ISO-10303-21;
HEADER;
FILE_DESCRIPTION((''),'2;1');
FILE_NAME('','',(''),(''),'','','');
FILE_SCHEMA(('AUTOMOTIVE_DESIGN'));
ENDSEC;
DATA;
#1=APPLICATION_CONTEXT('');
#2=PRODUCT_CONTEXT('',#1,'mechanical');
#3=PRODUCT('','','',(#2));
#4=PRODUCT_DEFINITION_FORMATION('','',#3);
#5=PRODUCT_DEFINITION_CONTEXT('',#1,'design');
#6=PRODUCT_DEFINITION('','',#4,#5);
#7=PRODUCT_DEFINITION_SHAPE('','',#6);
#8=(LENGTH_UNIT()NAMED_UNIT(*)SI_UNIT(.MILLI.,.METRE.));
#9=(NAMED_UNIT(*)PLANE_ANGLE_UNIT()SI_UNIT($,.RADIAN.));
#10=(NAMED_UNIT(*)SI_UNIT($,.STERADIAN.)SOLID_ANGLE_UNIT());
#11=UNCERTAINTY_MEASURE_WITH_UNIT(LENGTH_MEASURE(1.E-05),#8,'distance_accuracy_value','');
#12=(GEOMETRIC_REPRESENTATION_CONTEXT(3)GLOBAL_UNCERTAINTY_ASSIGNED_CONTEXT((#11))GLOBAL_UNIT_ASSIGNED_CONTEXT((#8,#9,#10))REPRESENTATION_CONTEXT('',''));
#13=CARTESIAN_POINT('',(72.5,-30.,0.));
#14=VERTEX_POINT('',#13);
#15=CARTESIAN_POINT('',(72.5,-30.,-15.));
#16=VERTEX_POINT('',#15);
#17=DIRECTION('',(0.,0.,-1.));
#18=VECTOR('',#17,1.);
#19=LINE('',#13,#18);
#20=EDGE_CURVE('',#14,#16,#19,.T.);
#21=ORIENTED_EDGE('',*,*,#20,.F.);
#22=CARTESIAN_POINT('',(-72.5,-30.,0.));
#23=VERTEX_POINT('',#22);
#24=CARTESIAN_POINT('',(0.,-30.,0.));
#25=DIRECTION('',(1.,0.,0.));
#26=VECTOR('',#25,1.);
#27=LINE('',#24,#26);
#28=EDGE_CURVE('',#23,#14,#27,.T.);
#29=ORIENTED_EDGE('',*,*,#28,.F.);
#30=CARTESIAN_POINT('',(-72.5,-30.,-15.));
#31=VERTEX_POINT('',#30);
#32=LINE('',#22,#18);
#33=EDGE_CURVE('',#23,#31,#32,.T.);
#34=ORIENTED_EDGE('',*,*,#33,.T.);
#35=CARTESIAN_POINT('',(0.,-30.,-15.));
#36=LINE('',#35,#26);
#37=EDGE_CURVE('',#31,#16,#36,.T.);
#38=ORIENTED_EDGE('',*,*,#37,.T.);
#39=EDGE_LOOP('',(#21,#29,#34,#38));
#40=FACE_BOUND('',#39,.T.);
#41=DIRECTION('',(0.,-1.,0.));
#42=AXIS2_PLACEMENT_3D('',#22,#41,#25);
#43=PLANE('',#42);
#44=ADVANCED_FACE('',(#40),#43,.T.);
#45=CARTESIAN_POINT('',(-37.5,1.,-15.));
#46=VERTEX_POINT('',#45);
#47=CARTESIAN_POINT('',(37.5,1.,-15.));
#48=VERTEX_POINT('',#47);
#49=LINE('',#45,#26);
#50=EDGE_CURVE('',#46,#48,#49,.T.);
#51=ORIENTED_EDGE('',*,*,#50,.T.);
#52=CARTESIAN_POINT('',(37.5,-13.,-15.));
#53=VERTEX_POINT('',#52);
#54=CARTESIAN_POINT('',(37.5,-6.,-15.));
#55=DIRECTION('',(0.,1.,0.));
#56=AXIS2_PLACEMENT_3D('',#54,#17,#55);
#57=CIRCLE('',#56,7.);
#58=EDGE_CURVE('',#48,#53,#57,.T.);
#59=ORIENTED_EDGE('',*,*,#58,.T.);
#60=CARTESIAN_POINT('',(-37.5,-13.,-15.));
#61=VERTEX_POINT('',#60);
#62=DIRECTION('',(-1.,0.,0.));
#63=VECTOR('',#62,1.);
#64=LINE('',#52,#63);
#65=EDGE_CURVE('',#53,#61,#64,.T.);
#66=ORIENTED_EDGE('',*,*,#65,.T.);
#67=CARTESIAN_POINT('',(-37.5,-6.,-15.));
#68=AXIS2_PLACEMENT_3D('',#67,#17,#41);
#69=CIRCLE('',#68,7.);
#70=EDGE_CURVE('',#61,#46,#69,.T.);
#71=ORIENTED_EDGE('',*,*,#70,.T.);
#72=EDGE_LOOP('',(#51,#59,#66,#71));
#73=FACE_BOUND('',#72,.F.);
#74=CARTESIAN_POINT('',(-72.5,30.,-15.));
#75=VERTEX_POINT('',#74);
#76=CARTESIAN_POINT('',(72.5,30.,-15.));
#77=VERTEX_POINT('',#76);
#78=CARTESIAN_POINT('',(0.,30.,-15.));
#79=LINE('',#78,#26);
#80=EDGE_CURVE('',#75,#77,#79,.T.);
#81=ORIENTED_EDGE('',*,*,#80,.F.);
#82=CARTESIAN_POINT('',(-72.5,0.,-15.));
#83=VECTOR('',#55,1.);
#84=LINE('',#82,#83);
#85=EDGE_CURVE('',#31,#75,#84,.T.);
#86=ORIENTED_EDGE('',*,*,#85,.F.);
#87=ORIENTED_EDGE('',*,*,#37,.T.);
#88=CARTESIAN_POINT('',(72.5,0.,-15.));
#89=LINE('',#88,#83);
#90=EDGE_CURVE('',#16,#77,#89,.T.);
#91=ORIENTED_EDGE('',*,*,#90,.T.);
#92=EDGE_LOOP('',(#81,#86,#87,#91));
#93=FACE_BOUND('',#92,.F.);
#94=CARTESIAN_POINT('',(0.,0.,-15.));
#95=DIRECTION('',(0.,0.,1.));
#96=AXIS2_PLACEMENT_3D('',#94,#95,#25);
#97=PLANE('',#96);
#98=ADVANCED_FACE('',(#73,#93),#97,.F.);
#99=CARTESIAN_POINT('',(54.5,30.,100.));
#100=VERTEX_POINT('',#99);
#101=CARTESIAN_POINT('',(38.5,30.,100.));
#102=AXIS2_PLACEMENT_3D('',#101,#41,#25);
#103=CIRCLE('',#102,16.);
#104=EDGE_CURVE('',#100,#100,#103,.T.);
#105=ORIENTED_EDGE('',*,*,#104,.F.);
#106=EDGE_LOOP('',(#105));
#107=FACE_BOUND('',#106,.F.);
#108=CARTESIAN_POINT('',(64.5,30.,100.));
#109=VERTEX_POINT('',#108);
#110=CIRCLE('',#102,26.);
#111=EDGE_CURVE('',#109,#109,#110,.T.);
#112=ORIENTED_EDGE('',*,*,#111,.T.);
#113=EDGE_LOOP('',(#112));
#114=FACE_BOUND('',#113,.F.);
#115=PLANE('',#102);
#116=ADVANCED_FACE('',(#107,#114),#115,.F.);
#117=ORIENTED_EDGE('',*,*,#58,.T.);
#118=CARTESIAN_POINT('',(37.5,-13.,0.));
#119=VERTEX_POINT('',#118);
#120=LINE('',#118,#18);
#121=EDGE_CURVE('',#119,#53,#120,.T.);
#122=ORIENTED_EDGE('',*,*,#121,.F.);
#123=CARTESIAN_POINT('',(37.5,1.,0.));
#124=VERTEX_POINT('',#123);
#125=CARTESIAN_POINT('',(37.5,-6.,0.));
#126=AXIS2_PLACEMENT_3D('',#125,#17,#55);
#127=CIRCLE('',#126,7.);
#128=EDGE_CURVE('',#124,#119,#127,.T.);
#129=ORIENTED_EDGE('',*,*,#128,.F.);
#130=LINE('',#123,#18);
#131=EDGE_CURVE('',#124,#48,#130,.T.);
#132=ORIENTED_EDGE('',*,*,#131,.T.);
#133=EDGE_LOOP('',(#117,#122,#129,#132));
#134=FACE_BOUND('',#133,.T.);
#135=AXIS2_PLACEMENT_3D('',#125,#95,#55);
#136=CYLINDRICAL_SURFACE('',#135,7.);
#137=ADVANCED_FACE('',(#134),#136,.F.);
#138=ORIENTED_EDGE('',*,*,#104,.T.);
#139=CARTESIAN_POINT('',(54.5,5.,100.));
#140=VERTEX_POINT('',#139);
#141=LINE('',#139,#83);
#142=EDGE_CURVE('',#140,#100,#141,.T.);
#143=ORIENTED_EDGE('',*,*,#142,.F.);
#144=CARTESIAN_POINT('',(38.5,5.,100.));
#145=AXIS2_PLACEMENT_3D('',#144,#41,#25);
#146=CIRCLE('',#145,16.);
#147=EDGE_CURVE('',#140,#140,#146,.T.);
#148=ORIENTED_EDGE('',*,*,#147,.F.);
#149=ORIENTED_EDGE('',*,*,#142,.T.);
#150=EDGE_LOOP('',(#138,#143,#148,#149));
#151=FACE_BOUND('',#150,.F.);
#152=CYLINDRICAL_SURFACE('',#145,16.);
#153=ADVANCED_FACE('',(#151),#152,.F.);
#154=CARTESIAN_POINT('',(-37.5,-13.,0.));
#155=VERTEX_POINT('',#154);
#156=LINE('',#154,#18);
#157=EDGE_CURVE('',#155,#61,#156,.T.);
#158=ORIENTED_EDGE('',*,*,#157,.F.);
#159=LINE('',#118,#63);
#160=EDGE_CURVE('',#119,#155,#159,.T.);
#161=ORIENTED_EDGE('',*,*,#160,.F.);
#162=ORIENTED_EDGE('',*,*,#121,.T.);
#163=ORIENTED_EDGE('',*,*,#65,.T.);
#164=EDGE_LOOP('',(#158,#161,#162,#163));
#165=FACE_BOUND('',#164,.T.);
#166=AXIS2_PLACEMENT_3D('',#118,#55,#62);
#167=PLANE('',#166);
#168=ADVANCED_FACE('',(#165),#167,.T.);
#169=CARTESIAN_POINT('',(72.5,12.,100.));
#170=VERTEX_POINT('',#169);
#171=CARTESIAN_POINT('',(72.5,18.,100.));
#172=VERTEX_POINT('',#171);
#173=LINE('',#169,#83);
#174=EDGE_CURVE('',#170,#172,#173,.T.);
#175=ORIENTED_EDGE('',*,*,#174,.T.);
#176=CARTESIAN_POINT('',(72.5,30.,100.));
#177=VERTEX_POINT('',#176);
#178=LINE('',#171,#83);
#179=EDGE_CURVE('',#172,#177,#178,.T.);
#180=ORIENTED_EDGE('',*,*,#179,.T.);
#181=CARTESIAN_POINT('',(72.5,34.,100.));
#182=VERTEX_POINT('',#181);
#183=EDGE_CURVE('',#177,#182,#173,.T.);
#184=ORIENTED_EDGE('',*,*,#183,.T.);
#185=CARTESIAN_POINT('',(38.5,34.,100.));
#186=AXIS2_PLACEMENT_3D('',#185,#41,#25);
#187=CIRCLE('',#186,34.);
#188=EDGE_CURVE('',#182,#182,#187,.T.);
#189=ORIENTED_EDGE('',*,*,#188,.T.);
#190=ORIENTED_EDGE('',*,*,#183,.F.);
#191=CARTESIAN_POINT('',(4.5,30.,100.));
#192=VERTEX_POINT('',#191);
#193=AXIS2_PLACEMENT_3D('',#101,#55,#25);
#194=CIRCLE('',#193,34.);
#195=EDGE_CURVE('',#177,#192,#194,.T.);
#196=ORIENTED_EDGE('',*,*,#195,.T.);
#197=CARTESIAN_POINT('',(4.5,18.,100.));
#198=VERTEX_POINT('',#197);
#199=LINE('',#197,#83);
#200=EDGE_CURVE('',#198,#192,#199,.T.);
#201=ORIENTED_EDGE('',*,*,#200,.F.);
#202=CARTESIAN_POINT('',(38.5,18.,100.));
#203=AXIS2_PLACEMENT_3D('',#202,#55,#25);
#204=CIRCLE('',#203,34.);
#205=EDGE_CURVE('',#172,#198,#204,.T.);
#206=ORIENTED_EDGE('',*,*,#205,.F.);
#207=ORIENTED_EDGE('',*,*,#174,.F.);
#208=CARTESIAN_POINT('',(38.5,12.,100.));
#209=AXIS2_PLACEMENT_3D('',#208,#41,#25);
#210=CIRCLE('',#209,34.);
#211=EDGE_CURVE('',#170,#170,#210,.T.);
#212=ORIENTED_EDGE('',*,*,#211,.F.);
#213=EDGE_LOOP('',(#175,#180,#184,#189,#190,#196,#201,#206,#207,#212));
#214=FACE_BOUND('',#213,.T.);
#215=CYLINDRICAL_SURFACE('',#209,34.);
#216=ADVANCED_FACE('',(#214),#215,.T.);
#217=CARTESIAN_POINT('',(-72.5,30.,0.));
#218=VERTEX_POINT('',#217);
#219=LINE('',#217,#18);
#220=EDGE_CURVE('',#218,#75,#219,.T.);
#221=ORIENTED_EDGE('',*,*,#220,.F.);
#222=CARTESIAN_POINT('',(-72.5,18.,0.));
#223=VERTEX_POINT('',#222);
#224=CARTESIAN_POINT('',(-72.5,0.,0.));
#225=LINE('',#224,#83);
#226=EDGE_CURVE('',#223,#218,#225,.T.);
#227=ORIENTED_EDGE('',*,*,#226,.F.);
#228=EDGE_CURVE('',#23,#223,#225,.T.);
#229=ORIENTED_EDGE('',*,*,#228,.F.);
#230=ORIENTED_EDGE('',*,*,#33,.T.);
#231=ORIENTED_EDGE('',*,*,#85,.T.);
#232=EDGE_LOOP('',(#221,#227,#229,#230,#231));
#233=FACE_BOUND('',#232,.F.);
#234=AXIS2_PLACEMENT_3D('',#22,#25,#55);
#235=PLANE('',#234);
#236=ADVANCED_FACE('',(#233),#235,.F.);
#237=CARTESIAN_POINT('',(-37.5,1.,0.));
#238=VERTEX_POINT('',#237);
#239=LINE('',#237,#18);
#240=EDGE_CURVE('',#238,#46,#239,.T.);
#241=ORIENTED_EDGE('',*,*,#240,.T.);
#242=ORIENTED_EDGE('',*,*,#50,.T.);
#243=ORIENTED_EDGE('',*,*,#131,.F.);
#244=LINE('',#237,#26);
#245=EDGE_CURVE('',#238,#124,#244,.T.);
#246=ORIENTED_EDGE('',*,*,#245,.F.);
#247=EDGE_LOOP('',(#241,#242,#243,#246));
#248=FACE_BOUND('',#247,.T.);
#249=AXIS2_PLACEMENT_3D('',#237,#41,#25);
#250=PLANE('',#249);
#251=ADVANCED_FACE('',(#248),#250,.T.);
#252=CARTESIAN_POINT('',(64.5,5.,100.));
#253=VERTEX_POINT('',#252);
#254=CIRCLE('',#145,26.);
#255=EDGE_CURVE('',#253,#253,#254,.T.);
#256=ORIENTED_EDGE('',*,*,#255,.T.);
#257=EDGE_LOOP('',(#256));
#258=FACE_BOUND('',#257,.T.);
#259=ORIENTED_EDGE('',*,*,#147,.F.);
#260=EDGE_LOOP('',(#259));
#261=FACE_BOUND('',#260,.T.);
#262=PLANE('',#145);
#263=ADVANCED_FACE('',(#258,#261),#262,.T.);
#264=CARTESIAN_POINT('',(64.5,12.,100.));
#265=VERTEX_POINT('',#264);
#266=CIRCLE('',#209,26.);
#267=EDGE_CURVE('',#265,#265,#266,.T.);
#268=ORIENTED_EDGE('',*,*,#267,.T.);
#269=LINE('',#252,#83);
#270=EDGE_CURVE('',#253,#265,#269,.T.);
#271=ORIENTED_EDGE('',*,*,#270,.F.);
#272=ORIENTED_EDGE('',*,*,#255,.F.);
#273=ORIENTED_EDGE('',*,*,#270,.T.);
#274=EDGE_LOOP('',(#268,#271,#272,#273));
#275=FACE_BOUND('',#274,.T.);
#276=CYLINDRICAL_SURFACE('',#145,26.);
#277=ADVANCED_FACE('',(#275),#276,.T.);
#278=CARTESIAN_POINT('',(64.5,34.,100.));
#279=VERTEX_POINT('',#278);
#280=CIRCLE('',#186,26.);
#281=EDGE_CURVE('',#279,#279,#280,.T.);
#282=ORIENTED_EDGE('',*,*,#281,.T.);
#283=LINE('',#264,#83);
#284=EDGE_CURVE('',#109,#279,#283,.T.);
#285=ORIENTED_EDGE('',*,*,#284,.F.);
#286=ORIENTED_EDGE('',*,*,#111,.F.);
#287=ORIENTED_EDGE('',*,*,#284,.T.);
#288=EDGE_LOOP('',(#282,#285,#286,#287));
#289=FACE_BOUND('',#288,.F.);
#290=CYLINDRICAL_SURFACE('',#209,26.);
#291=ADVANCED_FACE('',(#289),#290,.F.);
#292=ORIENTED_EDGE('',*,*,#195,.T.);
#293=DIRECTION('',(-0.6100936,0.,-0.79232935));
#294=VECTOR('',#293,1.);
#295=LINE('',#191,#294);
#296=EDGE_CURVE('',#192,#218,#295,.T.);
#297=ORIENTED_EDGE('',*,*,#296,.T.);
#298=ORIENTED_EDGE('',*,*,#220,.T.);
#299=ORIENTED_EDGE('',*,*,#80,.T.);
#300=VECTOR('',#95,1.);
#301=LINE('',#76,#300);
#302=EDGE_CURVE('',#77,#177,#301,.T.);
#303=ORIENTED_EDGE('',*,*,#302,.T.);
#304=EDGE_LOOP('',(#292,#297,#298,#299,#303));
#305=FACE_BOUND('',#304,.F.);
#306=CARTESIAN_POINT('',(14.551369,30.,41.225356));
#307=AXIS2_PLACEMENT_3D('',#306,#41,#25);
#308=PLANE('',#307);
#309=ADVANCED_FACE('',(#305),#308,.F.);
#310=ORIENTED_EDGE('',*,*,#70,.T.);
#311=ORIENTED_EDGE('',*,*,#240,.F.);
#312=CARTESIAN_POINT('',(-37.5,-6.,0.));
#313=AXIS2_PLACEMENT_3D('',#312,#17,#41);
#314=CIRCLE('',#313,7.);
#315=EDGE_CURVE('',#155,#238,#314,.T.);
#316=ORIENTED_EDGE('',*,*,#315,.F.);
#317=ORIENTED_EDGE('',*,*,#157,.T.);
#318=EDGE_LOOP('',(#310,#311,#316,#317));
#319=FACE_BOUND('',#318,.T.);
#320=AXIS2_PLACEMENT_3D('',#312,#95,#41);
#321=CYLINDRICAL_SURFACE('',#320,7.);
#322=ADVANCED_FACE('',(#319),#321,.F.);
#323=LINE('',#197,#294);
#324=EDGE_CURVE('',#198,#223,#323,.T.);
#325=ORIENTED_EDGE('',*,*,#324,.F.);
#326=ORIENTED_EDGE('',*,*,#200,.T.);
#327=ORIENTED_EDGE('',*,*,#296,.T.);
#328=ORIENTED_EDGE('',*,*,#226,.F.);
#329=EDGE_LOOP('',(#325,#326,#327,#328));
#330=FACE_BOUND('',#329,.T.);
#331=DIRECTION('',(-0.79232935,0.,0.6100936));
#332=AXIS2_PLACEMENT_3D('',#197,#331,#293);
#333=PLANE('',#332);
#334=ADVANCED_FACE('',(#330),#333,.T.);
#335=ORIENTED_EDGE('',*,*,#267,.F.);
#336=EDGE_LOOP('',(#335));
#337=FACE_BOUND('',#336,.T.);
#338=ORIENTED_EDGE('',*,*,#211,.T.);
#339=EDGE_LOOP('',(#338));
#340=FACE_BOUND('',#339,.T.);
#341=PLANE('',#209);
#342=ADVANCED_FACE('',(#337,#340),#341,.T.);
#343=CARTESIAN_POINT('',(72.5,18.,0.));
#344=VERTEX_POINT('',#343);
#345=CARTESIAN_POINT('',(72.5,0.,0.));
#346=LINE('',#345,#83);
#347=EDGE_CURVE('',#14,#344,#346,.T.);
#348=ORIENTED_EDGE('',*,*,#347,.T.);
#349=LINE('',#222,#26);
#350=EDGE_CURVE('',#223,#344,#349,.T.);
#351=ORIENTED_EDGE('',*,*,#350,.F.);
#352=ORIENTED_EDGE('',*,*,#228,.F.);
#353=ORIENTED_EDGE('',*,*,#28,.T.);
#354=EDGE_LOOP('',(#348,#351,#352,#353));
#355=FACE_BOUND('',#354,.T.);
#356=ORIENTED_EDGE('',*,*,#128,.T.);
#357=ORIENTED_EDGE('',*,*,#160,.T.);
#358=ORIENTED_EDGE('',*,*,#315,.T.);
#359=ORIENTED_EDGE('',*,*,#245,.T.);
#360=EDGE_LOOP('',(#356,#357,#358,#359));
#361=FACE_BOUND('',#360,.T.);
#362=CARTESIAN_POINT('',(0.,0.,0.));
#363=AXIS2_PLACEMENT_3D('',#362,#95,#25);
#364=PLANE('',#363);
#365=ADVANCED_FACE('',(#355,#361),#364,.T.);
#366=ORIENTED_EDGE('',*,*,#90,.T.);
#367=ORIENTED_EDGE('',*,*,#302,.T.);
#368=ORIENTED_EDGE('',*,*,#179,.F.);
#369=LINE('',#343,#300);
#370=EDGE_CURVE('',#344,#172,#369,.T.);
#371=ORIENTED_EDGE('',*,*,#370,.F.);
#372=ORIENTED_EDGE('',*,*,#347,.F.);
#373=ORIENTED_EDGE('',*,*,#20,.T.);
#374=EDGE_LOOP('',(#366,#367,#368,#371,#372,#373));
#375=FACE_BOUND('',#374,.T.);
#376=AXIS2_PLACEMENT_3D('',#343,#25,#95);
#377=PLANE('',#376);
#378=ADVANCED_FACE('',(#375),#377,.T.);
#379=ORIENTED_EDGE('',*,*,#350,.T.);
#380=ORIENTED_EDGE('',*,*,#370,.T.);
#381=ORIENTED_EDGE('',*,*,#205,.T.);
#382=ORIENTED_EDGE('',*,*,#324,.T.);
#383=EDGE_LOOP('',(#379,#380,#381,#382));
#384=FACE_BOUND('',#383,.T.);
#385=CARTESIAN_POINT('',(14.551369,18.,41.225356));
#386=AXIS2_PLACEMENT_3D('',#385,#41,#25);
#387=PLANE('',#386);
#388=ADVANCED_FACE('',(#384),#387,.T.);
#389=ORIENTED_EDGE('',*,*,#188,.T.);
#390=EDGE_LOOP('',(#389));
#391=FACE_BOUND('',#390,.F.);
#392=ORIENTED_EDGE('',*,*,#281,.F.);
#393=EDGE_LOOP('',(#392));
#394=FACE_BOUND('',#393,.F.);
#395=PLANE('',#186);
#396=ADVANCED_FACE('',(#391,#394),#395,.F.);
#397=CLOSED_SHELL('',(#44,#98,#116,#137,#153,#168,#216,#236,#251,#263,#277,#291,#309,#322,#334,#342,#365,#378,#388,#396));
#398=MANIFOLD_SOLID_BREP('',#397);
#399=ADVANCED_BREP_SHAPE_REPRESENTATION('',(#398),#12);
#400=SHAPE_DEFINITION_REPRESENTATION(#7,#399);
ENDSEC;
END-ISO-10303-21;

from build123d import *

# Parameters (mm, degrees)
F0_W     = 145
F0_H     = 60
F1_DEPTH = 15
F3_START = -18
F3_DEPTH = 12
F4_START = -12
F2_R     = 26
F4_DEPTH = 22
F5_START = -5
F2_R_2   = 16
F5_DEPTH = 25


with BuildPart() as f1:
    # F0 (on Top) → F1 (new body)
    with BuildSketch(Plane.XY):
        Rectangle(F0_W, F0_H)
        with BuildLine():
            ThreePointArc((-37.5, -13), (-44.5, -6), (-37.5, 1))
            Line((-37.5, 1), (37.5, 1))
            ThreePointArc((37.5, 1), (44.5, -6), (37.5, -13))
            Line((37.5, -13), (-37.5, -13))
        make_face(mode=Mode.SUBTRACT)
    extrude(amount=-F1_DEPTH)

    # F2 (on Front) → F3 (join)
    with BuildSketch(Plane.XZ.offset(F3_START)):
        with BuildLine():
            Line((72.5, 0), (72.5, 100))
            ThreePointArc((72.5, 100), (38.5, 66), (4.5, 100))
            Line((4.5, 100), (-72.5, 0))
            Line((-72.5, 0), (-63.7343847897, 0))
            Line((-63.7343847897, 0), (65.0060102344, 0))
            Line((65.0060102344, 0), (72.5, 0))
        make_face()
    extrude(amount=-F3_DEPTH)

    # F2 (on Front) → F4 (join)
    with BuildSketch(Plane.XZ.offset(F4_START)):
        with BuildLine():
            ThreePointArc((4.5, 100), (38.5, 66), (72.5, 100))
            ThreePointArc((72.5, 100), (38.5, 134), (4.5, 100))
        make_face()
        with Locations((38.5, 100)):
            Circle(F2_R, mode=Mode.SUBTRACT)
    extrude(amount=-F4_DEPTH)

    # F2 (on Front) → F5 (join)
    with BuildSketch(Plane.XZ.offset(F5_START)):
        with Locations((38.5, 100)):
            Circle(F2_R)
        with Locations((38.5, 100)):
            Circle(F2_R_2, mode=Mode.SUBTRACT)
    extrude(amount=-F5_DEPTH)


solid = f1.part
